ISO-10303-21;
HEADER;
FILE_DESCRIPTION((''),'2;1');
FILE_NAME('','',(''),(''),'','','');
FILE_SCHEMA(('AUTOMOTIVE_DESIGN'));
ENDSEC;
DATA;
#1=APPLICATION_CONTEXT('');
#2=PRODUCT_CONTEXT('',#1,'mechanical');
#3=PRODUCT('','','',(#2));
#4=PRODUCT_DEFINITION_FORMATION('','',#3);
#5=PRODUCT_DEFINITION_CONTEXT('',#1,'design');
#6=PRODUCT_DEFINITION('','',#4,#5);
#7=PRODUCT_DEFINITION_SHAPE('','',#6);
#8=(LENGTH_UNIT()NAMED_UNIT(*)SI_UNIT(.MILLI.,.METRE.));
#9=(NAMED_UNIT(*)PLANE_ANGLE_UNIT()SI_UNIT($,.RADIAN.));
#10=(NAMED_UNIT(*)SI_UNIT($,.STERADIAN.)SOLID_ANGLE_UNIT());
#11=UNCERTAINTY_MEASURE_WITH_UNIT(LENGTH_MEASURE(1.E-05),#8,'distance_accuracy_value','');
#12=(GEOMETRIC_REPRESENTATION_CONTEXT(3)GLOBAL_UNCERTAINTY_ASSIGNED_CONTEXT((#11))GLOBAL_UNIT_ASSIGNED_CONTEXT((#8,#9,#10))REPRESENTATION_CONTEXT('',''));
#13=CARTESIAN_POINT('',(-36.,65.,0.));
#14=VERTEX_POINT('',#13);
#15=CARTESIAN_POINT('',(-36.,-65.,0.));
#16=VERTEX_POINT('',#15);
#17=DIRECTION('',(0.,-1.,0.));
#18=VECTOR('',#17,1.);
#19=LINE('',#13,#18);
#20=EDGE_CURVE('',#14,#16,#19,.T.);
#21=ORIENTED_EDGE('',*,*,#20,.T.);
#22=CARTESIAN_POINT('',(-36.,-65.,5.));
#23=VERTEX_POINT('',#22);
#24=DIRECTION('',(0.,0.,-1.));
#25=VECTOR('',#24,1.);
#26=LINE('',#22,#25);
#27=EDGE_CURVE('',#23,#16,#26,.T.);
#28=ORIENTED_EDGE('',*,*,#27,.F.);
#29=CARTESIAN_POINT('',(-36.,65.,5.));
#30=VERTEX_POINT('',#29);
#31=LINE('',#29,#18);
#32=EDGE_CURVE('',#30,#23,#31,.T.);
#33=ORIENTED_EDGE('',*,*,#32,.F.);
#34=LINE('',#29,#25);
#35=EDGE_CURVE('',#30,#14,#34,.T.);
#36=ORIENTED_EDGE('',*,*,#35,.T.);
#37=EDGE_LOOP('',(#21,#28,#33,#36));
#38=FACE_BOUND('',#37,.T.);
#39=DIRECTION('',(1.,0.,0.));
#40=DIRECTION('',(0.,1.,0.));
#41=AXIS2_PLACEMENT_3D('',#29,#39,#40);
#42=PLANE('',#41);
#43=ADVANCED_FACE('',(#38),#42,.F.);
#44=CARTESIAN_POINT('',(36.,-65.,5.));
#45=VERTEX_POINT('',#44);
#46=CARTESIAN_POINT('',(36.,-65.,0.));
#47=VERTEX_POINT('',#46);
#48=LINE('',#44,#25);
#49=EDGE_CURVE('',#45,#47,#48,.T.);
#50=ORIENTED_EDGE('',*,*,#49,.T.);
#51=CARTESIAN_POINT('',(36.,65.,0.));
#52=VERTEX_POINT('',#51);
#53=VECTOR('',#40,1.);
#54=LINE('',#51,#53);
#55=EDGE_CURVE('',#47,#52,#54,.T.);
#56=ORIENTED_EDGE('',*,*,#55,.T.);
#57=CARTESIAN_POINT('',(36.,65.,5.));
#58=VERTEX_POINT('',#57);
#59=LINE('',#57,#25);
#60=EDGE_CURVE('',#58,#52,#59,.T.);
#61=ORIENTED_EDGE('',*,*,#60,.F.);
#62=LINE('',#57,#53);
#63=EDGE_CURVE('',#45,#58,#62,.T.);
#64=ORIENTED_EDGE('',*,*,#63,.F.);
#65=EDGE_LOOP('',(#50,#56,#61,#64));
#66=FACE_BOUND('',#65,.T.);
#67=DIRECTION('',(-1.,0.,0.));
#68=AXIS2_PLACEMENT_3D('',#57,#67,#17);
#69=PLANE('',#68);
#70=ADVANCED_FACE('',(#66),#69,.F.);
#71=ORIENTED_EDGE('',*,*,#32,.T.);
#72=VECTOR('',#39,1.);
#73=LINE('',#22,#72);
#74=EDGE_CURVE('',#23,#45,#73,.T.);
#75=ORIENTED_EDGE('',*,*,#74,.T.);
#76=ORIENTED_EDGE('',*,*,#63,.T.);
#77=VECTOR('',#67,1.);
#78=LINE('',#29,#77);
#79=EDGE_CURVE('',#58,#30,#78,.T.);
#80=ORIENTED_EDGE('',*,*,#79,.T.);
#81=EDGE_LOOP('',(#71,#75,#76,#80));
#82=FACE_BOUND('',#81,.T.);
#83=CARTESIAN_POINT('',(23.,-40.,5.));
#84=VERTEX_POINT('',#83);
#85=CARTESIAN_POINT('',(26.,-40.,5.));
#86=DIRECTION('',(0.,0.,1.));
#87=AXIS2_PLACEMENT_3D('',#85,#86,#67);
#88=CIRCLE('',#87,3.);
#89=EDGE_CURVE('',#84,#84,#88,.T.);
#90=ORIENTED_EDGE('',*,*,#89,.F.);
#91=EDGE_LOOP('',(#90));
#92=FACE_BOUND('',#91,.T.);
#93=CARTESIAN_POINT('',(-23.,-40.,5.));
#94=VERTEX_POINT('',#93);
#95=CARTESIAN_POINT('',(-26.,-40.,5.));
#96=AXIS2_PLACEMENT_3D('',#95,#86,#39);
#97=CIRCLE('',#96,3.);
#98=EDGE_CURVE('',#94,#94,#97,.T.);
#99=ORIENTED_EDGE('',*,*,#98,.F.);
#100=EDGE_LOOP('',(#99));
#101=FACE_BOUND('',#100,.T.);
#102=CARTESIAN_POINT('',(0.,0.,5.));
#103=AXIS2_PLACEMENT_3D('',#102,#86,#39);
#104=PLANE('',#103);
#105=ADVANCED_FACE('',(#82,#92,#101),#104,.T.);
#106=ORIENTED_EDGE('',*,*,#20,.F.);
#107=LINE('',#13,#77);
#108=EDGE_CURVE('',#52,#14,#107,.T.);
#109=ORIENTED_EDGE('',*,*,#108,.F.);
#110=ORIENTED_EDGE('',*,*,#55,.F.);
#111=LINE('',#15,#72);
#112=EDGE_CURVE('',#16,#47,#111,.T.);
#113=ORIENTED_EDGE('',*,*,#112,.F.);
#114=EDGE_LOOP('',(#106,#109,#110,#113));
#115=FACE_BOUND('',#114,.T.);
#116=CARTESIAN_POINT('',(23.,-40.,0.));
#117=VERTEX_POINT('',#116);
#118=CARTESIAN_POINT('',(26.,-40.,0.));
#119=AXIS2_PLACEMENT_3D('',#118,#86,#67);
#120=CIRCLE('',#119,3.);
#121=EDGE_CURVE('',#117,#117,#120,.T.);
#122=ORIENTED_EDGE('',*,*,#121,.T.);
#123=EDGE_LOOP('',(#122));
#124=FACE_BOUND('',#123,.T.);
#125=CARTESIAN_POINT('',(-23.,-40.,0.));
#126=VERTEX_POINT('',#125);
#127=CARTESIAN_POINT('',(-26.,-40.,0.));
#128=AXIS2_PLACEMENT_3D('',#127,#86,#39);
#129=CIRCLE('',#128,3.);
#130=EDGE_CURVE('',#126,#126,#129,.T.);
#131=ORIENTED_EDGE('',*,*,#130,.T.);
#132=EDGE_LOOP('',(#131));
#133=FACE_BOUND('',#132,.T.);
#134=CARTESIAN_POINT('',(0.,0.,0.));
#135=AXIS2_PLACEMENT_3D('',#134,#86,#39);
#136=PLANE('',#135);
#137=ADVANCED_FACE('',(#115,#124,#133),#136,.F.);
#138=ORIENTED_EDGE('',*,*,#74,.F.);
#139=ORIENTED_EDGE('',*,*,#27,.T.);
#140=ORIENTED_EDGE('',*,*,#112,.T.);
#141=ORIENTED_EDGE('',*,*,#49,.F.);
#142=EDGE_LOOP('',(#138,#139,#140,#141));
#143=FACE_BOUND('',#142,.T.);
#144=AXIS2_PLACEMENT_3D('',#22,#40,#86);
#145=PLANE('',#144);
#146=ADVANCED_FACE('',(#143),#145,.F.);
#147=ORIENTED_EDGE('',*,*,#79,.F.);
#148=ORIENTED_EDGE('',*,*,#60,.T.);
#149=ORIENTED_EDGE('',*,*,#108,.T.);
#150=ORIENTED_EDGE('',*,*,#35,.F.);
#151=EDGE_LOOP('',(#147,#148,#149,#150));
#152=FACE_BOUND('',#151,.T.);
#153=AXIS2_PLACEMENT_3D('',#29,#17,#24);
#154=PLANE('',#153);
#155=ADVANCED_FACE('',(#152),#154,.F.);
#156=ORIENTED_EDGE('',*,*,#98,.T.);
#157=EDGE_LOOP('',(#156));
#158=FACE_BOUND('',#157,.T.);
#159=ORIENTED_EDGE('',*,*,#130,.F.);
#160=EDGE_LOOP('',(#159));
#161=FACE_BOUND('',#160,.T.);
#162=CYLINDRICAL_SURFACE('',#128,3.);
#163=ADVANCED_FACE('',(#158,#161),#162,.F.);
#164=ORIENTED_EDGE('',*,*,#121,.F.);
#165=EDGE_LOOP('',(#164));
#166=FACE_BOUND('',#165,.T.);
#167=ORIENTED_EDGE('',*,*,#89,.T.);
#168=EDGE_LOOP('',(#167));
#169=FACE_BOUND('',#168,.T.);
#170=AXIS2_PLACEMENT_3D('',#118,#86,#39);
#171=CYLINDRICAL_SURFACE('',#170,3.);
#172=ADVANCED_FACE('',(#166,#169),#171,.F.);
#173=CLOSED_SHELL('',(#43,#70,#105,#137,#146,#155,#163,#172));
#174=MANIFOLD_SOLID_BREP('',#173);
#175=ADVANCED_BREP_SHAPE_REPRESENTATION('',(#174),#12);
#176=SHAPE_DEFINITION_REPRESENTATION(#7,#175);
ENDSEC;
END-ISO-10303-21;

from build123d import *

# Parameters (mm, degrees)
SKETCH1_W           = 72
SKETCH1_H           = 130
BOSS_EXTRUDE1_DEPTH = 5
SKETCH2_R           = 3
CUT_EXTRUDE1_DEPTH  = 5


with BuildPart() as part:
    # Sketch1 → Boss-Extrude1 (new body)
    with BuildSketch(Plane.XY):
        Rectangle(SKETCH1_W, SKETCH1_H)
    extrude(amount=BOSS_EXTRUDE1_DEPTH)

    # Sketch2 → Cut-Extrude1 (cut)
    with BuildSketch(Plane.XY.offset(5)):
        with Locations((-26, -40)):
            Circle(SKETCH2_R)
        with Locations(Location((26, -40, 0), (0, 0, 180))):
            Circle(SKETCH2_R)
    extrude(amount=-CUT_EXTRUDE1_DEPTH, mode=Mode.SUBTRACT)


solid = part.part
